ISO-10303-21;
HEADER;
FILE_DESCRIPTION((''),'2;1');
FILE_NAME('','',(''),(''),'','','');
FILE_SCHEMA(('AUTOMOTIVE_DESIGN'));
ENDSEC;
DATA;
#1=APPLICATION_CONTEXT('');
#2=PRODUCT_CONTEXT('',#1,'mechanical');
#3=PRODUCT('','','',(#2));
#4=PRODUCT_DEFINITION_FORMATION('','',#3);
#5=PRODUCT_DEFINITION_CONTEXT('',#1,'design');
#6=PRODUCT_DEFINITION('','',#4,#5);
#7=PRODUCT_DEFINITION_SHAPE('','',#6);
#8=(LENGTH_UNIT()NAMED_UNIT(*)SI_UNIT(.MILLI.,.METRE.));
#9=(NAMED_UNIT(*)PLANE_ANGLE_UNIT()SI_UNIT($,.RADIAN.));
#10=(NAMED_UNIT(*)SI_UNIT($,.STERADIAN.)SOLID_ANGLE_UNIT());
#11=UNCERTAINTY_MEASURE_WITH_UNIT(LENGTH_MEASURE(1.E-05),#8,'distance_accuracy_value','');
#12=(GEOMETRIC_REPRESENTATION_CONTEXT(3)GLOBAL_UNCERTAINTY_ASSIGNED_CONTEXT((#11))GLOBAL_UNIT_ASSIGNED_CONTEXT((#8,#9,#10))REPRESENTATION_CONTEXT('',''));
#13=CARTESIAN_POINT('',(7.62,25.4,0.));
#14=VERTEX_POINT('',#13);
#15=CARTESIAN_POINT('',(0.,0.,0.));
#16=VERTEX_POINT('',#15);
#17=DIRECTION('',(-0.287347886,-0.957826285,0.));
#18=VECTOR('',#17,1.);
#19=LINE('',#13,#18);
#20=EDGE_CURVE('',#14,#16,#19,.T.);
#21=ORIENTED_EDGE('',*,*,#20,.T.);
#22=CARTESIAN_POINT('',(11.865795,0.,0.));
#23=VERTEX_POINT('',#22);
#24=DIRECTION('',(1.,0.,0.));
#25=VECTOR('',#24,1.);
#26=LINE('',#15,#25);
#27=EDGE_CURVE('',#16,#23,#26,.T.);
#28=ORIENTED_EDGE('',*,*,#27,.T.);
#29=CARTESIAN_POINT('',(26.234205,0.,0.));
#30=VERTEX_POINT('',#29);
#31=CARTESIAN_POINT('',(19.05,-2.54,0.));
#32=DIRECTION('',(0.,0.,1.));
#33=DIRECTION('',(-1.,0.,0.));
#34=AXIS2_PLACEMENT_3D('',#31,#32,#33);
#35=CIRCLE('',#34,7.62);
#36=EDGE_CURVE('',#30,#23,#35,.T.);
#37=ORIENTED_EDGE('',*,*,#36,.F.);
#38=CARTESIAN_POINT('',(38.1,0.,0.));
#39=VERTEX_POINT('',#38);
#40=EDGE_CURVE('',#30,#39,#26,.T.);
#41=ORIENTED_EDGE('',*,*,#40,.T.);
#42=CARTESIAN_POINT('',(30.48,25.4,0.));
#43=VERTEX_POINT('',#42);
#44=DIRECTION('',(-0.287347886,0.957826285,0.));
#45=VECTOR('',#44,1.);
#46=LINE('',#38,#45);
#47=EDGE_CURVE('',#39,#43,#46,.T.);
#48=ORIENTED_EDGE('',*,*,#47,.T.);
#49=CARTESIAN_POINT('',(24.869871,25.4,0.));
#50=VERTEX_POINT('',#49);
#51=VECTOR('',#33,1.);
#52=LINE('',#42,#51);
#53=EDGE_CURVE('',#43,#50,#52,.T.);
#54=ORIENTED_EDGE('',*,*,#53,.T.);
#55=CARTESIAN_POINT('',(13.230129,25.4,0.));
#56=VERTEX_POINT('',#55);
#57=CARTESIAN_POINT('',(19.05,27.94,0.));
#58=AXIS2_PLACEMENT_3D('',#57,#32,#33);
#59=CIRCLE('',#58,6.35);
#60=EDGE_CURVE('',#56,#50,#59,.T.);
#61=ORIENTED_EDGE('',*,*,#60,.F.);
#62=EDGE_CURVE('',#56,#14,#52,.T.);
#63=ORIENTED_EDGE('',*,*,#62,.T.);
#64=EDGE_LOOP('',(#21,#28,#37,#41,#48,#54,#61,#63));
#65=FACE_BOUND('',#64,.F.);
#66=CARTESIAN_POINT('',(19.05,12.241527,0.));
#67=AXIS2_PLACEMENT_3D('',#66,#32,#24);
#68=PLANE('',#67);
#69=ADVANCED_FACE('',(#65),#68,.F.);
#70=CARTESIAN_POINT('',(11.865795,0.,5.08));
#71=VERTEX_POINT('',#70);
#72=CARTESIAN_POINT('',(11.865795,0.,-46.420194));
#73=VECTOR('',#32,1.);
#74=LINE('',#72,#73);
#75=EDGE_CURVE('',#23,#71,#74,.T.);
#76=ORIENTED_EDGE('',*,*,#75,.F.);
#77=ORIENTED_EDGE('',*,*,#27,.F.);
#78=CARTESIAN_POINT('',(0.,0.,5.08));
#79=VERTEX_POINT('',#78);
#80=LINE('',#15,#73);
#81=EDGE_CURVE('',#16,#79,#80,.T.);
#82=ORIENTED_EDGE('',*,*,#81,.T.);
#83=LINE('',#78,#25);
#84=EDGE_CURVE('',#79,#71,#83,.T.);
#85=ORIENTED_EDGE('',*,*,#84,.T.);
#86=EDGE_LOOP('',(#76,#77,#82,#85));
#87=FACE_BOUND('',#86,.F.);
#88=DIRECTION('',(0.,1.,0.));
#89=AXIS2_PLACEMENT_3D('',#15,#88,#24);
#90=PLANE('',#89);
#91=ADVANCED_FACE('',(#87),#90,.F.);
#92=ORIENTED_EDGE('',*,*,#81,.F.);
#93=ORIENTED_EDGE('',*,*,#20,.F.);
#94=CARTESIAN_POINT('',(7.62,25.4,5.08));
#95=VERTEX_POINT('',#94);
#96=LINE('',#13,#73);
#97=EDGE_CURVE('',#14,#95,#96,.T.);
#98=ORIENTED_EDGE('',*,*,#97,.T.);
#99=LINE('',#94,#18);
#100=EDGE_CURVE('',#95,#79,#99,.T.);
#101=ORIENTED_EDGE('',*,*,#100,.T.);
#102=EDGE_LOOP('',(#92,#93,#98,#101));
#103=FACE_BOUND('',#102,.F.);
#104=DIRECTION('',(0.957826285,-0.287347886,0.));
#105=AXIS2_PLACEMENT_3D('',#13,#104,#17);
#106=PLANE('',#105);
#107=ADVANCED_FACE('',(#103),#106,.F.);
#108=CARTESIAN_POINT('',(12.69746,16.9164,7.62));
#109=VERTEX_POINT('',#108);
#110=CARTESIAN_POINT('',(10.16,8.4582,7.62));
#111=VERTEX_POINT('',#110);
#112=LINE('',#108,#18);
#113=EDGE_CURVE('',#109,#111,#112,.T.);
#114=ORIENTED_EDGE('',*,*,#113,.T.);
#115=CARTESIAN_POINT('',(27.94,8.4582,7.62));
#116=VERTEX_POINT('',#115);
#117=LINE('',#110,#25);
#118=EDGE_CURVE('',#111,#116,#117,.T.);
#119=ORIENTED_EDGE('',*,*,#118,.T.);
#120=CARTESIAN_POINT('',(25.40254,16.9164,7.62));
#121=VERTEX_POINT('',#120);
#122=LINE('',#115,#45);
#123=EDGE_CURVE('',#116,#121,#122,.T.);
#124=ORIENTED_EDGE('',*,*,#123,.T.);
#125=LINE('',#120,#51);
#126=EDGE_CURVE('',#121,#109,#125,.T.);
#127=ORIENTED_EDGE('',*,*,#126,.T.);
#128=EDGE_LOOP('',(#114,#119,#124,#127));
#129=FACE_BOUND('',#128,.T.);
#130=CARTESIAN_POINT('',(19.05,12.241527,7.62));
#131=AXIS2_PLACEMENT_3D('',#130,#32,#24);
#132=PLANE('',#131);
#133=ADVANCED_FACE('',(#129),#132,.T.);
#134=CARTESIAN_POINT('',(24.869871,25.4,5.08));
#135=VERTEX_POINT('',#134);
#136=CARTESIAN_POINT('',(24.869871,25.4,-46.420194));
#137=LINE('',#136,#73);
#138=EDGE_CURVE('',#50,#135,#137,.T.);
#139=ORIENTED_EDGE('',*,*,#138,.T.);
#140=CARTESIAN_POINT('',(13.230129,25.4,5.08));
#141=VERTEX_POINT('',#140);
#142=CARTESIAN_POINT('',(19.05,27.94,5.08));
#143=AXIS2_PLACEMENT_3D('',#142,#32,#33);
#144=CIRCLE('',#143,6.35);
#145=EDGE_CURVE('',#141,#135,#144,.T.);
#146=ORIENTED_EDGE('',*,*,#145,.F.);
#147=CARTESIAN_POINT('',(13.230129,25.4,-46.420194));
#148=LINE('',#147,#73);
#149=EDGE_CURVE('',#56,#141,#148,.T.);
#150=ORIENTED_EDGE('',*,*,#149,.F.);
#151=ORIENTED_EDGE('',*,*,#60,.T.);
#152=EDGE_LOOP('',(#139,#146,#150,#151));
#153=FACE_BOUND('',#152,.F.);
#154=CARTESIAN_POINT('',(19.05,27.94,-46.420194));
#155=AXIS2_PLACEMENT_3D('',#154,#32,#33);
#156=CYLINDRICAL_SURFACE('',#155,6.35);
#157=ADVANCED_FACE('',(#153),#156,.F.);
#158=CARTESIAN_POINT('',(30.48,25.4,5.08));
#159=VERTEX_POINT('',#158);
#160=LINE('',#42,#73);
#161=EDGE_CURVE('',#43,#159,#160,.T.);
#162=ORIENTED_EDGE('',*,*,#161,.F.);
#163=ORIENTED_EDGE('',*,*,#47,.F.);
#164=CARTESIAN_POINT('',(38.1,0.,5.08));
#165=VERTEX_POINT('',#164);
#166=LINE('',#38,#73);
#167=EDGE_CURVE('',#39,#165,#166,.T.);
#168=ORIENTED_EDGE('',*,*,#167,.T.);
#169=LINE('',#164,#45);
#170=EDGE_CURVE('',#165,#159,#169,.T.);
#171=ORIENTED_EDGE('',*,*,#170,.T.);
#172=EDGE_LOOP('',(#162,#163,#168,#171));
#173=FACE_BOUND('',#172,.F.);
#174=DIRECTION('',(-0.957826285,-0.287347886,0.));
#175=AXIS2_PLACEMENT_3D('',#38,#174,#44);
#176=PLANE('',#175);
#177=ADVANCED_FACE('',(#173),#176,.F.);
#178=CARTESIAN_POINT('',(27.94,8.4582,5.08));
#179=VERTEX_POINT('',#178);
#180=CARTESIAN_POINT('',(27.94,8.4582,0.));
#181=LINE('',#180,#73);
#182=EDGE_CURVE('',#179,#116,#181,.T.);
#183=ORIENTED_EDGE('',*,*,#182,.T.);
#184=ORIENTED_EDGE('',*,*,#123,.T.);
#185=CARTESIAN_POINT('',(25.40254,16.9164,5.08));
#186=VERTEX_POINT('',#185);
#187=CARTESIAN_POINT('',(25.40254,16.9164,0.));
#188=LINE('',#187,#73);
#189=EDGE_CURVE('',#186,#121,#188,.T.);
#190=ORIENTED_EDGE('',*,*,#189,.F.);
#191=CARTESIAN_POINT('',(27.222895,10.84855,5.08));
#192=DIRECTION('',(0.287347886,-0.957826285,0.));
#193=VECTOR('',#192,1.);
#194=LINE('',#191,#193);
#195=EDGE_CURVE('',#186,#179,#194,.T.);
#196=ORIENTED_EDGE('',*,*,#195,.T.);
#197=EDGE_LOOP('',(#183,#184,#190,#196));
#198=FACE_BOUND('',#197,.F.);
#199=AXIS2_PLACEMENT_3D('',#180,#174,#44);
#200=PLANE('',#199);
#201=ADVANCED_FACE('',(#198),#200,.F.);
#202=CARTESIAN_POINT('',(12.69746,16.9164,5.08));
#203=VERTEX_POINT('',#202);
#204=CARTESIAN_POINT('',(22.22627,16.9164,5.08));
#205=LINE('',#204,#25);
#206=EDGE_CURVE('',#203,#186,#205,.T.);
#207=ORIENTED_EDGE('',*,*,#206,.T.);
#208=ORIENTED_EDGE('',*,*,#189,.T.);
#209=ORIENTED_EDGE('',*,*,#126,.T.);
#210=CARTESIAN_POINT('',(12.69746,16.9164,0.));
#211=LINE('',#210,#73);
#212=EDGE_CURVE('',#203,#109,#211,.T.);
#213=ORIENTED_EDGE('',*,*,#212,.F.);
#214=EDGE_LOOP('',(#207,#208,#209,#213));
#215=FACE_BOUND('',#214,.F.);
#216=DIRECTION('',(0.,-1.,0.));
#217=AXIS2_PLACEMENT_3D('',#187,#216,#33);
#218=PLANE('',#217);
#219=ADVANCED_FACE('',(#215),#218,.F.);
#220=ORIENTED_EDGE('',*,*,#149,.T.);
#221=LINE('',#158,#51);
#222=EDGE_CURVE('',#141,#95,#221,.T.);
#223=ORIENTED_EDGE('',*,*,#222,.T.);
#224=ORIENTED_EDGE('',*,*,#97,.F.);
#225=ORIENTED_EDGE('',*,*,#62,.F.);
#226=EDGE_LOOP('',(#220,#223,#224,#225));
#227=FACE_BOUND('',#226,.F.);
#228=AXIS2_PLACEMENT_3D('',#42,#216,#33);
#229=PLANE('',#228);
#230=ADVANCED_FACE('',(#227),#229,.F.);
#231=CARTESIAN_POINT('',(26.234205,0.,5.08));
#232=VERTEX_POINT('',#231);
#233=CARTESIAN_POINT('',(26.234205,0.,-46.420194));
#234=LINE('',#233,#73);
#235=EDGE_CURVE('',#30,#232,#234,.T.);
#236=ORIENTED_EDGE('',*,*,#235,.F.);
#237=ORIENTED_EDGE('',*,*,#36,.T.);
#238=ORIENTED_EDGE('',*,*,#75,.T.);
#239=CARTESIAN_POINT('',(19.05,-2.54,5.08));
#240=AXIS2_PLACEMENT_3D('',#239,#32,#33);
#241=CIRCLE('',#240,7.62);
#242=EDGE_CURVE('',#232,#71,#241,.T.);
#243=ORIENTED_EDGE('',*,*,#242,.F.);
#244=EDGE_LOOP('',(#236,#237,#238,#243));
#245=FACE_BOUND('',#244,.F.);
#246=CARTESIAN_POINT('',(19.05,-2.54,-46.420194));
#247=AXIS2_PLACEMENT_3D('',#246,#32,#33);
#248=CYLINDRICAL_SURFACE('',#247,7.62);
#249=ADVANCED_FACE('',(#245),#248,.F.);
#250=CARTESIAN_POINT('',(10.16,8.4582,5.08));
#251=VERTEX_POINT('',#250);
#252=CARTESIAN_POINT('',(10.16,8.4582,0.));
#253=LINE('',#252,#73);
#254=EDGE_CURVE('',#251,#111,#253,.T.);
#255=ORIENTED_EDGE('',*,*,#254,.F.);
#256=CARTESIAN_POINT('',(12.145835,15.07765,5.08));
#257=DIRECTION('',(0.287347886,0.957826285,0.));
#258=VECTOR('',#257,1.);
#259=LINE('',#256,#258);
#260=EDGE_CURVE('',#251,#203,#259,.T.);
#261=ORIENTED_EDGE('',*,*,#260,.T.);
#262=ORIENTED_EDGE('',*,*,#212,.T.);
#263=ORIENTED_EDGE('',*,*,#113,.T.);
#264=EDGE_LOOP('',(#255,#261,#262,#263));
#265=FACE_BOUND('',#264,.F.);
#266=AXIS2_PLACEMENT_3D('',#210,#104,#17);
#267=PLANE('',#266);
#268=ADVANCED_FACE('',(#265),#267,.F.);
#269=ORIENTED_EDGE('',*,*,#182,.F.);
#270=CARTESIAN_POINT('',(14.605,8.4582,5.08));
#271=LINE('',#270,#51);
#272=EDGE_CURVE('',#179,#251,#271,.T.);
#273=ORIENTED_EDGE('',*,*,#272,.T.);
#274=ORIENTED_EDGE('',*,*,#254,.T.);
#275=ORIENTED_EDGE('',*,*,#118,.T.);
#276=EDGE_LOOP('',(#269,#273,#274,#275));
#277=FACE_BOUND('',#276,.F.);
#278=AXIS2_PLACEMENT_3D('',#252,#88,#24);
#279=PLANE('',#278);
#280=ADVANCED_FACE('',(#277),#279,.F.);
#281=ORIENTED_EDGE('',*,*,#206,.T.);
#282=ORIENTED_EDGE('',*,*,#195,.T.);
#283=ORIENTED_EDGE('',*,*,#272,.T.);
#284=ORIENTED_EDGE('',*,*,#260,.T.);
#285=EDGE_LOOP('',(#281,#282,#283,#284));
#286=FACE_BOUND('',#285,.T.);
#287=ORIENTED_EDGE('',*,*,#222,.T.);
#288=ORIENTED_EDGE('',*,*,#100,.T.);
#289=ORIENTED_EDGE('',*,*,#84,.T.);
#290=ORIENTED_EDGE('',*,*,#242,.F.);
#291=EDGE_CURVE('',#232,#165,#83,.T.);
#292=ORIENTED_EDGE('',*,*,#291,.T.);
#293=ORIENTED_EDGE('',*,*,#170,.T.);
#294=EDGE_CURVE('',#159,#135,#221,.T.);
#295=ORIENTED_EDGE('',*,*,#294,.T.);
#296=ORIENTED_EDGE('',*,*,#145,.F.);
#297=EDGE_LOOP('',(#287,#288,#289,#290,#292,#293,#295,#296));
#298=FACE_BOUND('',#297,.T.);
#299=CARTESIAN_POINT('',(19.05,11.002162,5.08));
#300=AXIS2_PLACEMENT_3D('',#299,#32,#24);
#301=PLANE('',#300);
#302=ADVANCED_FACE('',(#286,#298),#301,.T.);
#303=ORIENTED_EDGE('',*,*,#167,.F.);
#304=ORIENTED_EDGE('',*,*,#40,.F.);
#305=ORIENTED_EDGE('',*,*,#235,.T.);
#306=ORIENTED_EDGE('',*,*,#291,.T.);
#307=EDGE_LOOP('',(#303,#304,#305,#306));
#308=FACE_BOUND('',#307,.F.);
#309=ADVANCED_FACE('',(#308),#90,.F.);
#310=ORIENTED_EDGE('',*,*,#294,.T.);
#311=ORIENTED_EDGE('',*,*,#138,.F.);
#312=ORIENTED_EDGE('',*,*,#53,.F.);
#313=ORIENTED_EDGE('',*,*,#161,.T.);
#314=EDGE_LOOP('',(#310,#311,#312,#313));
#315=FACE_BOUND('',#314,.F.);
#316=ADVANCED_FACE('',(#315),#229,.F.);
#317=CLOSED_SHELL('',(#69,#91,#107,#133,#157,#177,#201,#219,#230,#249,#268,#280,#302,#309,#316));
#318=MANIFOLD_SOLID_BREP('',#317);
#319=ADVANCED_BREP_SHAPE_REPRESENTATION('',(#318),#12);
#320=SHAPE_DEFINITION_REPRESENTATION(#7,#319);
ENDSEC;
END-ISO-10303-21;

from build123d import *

# Parameters (mm, degrees)
F1_DEPTH = 5.08
F2_DEPTH = 7.62
F3_D     = 15.24
F4_D     = 12.7


with BuildPart() as f1:
    # F0 (on Top) → F1 (new body)
    with BuildSketch(Plane.XY):
        Polygon((7.62, 25.4), (0, 0), (38.1, 0), (30.48, 25.4), align=None)
        Polygon((27.94, 8.4582), (10.16, 8.4582), (12.69746, 16.9164), (25.40254, 16.9164), align=None, mode=Mode.SUBTRACT)
        Polygon((12.69746, 16.9164), (10.16, 8.4582), (27.94, 8.4582), (25.40254, 16.9164), align=None)
    extrude(amount=F1_DEPTH)

    # F0 (on Top) → F2 (join)
    with BuildSketch(Plane.XY):
        Polygon((12.69746, 16.9164), (10.16, 8.4582), (27.94, 8.4582), (25.40254, 16.9164), align=None)
    extrude(amount=F2_DEPTH)

    # F3 (through all)
    with Locations(Plane(origin=(0, 0, 0), x_dir=(1, 0, 0), z_dir=(0, 0, -1))):
        with Locations((19.05, 2.54)):
            Hole(F3_D / 2)

    # F4 (through all)
    with Locations(Plane(origin=(0, 0, 0), x_dir=(1, 0, 0), z_dir=(0, 0, -1))):
        with Locations((19.05, -27.94)):
            Hole(F4_D / 2)


solid = f1.part
